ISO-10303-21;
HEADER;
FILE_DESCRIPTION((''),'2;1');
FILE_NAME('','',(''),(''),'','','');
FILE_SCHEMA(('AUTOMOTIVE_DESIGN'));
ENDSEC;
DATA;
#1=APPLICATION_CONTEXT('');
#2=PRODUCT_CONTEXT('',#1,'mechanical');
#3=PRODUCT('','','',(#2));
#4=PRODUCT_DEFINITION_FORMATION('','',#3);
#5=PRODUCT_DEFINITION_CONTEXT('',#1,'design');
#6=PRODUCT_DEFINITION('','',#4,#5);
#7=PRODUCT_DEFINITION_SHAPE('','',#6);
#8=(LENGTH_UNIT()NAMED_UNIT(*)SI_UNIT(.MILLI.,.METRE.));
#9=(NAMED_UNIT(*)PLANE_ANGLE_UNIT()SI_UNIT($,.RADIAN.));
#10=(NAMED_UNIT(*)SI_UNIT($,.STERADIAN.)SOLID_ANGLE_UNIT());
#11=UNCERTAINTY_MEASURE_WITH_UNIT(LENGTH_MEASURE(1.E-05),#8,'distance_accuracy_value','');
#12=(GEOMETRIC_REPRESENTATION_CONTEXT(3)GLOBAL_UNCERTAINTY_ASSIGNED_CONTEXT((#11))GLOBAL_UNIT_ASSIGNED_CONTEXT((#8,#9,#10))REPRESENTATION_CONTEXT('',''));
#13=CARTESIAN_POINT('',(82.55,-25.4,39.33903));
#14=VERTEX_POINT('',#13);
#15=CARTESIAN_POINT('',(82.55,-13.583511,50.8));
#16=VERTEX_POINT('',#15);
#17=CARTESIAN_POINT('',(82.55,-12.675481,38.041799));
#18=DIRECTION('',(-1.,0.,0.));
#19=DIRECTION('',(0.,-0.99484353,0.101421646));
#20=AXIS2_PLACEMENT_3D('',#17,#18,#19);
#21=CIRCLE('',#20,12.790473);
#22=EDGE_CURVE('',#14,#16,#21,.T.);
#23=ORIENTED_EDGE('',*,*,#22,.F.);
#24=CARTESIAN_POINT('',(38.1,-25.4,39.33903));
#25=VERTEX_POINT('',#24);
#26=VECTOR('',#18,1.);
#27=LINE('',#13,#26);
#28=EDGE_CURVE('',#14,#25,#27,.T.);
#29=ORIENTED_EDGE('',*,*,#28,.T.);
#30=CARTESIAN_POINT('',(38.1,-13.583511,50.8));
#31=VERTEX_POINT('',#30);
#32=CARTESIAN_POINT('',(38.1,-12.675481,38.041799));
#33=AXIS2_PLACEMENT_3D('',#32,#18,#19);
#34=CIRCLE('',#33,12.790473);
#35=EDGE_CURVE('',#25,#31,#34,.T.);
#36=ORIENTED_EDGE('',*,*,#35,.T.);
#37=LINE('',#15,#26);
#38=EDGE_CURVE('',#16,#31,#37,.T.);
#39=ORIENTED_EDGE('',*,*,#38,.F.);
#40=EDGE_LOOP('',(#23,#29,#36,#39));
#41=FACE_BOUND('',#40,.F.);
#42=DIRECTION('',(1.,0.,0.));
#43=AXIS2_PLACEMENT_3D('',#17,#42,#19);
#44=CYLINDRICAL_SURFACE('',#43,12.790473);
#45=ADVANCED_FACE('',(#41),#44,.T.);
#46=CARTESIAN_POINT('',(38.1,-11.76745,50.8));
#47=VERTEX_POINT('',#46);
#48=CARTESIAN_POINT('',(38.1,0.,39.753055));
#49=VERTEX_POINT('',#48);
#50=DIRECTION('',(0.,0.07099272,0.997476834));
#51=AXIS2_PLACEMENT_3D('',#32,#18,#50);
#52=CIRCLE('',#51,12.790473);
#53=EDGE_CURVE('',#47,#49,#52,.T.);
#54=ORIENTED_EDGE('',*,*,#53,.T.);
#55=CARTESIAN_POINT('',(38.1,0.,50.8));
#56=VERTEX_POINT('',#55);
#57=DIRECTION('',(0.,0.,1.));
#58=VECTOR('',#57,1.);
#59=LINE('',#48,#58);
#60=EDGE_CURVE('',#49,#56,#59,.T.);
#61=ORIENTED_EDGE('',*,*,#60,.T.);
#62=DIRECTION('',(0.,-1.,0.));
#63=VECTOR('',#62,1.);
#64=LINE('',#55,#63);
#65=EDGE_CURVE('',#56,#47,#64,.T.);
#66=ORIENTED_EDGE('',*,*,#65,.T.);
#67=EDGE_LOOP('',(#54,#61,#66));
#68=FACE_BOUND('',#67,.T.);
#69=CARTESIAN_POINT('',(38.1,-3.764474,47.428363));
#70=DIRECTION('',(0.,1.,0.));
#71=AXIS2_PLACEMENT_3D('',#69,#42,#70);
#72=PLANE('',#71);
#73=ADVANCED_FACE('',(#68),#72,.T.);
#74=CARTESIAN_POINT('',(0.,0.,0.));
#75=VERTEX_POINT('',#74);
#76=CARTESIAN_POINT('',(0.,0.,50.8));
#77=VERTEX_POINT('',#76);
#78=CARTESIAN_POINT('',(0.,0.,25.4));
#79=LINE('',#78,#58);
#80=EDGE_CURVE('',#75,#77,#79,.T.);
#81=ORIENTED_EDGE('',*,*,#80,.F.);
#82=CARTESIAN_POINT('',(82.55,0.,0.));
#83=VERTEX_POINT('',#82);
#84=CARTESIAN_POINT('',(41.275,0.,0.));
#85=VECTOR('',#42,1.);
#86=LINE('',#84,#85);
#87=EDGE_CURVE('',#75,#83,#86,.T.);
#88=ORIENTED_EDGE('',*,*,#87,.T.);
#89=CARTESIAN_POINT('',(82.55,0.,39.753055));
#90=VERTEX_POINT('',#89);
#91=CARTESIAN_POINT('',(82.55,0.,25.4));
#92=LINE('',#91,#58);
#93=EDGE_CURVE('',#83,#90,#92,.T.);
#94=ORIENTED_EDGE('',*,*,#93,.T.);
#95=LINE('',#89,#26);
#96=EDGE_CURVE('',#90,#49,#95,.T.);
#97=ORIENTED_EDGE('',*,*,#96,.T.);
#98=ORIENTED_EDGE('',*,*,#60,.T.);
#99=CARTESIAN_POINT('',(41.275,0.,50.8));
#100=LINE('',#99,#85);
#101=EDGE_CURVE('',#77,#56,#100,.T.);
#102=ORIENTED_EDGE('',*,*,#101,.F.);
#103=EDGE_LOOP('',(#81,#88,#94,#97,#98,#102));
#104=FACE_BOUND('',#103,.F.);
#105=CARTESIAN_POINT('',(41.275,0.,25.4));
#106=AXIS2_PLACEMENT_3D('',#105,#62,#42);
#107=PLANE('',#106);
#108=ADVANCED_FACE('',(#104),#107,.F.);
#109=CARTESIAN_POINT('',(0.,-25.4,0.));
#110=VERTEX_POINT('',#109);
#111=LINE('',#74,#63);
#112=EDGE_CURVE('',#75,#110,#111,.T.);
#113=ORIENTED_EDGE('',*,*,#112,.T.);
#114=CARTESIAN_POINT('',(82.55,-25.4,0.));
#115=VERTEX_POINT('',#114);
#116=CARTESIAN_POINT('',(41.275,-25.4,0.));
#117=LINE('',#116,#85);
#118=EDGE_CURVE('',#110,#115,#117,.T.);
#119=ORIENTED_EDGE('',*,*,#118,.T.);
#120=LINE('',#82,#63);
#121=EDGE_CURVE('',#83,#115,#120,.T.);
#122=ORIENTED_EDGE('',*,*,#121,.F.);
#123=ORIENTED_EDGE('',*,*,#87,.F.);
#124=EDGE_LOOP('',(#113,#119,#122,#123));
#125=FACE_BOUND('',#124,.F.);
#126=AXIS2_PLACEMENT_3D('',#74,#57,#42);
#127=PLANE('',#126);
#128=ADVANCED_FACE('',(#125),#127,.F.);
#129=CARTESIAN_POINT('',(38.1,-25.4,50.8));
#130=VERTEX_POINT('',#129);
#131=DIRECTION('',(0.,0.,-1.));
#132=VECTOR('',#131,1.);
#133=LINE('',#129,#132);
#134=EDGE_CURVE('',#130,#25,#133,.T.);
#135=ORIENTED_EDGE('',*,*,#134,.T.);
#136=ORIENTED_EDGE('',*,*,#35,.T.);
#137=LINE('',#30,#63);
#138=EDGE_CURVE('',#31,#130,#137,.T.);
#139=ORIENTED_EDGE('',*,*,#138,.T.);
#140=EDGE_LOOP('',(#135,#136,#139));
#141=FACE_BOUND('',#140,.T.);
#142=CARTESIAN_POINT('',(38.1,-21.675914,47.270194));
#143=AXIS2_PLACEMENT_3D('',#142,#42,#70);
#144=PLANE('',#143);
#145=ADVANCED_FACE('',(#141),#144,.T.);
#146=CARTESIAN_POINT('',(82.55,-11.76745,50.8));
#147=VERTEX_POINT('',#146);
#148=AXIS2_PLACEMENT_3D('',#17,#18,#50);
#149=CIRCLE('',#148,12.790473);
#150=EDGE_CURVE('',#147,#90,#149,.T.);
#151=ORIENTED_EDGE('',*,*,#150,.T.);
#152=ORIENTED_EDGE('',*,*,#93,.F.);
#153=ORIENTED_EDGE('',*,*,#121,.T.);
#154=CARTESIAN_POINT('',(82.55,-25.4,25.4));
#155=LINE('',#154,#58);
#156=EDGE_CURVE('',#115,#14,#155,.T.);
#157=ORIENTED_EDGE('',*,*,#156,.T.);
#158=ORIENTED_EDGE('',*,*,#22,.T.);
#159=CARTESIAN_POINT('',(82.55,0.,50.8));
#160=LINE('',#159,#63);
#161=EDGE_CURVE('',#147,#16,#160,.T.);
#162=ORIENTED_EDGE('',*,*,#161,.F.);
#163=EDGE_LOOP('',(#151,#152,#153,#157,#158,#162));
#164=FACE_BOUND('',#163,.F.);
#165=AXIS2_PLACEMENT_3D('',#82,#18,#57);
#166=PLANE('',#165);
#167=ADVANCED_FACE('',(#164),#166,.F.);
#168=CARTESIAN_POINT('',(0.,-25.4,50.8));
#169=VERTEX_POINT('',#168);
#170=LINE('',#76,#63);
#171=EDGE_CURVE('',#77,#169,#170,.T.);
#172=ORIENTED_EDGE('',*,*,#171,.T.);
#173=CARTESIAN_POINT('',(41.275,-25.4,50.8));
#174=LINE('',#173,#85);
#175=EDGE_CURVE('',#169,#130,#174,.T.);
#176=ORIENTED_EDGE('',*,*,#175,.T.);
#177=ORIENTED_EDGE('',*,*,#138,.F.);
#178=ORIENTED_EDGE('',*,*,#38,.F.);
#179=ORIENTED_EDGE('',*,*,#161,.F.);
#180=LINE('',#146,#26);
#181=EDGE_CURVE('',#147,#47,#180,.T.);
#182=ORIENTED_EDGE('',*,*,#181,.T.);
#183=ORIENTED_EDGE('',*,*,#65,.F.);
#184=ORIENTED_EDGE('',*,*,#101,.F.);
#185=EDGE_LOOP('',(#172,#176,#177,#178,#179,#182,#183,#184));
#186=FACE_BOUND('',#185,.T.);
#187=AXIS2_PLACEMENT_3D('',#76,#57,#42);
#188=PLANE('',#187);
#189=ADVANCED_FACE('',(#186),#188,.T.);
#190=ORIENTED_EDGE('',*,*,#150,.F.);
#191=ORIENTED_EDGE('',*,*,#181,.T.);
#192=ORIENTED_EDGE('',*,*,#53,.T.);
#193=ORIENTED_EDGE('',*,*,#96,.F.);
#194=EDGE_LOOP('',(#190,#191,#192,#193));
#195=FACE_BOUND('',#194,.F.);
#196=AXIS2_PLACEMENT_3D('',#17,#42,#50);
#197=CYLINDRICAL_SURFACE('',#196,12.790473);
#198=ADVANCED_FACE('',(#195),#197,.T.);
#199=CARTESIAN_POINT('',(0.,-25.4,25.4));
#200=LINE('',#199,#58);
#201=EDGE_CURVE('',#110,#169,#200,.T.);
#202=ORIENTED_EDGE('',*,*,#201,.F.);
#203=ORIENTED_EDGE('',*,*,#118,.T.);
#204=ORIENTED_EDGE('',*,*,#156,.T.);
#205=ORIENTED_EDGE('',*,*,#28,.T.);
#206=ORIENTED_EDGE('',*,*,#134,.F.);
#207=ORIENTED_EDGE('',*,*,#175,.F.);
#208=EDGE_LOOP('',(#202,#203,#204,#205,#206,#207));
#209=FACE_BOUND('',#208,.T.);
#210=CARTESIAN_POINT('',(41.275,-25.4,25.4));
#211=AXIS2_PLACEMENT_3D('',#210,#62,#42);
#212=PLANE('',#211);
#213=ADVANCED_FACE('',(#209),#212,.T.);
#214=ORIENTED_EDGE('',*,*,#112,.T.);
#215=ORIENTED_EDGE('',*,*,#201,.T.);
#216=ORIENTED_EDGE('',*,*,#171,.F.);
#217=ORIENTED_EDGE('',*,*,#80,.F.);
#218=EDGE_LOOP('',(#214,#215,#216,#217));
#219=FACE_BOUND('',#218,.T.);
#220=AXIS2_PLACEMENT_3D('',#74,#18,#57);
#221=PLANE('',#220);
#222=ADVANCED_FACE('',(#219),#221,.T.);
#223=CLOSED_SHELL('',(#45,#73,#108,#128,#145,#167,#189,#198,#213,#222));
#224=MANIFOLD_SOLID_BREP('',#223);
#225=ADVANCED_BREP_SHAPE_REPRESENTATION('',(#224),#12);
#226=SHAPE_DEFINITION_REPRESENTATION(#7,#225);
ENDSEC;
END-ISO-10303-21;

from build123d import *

# Parameters (mm, degrees)
F0_W     = 82.55
F0_H     = 50.8
F1_DEPTH = 25.4
F3_DEPTH = 44.45


with BuildPart() as f1:
    # F0 (on Front) → F1 (new body)
    with BuildSketch(Plane.XZ):
        with Locations((41.275, 25.4)):
            Rectangle(F0_W, F0_H)
    extrude(amount=F1_DEPTH)

    # F2 (on face) → F3 (cut)
    with BuildSketch(Plane.YZ.offset(82.55)):
        with BuildLine():
            ThreePointArc((-11.7674500498, 50.8), (-3.9212421239, 47.3670078254), (0, 39.7530552189))
            Line((0, 39.7530552189), (0, 50.8))
            Line((0, 50.8), (-11.7674500498, 50.8))
        make_face()
        with BuildLine():
            ThreePointArc((-25.4, 39.3390301804), (-21.5805387512, 47.2230923652), (-13.5835110199, 50.8))
            Line((-13.5835110199, 50.8), (-25.4, 50.8))
            Line((-25.4, 50.8), (-25.4, 39.3390301804))
        make_face()
    extrude(amount=-F3_DEPTH, mode=Mode.SUBTRACT)


solid = f1.part
